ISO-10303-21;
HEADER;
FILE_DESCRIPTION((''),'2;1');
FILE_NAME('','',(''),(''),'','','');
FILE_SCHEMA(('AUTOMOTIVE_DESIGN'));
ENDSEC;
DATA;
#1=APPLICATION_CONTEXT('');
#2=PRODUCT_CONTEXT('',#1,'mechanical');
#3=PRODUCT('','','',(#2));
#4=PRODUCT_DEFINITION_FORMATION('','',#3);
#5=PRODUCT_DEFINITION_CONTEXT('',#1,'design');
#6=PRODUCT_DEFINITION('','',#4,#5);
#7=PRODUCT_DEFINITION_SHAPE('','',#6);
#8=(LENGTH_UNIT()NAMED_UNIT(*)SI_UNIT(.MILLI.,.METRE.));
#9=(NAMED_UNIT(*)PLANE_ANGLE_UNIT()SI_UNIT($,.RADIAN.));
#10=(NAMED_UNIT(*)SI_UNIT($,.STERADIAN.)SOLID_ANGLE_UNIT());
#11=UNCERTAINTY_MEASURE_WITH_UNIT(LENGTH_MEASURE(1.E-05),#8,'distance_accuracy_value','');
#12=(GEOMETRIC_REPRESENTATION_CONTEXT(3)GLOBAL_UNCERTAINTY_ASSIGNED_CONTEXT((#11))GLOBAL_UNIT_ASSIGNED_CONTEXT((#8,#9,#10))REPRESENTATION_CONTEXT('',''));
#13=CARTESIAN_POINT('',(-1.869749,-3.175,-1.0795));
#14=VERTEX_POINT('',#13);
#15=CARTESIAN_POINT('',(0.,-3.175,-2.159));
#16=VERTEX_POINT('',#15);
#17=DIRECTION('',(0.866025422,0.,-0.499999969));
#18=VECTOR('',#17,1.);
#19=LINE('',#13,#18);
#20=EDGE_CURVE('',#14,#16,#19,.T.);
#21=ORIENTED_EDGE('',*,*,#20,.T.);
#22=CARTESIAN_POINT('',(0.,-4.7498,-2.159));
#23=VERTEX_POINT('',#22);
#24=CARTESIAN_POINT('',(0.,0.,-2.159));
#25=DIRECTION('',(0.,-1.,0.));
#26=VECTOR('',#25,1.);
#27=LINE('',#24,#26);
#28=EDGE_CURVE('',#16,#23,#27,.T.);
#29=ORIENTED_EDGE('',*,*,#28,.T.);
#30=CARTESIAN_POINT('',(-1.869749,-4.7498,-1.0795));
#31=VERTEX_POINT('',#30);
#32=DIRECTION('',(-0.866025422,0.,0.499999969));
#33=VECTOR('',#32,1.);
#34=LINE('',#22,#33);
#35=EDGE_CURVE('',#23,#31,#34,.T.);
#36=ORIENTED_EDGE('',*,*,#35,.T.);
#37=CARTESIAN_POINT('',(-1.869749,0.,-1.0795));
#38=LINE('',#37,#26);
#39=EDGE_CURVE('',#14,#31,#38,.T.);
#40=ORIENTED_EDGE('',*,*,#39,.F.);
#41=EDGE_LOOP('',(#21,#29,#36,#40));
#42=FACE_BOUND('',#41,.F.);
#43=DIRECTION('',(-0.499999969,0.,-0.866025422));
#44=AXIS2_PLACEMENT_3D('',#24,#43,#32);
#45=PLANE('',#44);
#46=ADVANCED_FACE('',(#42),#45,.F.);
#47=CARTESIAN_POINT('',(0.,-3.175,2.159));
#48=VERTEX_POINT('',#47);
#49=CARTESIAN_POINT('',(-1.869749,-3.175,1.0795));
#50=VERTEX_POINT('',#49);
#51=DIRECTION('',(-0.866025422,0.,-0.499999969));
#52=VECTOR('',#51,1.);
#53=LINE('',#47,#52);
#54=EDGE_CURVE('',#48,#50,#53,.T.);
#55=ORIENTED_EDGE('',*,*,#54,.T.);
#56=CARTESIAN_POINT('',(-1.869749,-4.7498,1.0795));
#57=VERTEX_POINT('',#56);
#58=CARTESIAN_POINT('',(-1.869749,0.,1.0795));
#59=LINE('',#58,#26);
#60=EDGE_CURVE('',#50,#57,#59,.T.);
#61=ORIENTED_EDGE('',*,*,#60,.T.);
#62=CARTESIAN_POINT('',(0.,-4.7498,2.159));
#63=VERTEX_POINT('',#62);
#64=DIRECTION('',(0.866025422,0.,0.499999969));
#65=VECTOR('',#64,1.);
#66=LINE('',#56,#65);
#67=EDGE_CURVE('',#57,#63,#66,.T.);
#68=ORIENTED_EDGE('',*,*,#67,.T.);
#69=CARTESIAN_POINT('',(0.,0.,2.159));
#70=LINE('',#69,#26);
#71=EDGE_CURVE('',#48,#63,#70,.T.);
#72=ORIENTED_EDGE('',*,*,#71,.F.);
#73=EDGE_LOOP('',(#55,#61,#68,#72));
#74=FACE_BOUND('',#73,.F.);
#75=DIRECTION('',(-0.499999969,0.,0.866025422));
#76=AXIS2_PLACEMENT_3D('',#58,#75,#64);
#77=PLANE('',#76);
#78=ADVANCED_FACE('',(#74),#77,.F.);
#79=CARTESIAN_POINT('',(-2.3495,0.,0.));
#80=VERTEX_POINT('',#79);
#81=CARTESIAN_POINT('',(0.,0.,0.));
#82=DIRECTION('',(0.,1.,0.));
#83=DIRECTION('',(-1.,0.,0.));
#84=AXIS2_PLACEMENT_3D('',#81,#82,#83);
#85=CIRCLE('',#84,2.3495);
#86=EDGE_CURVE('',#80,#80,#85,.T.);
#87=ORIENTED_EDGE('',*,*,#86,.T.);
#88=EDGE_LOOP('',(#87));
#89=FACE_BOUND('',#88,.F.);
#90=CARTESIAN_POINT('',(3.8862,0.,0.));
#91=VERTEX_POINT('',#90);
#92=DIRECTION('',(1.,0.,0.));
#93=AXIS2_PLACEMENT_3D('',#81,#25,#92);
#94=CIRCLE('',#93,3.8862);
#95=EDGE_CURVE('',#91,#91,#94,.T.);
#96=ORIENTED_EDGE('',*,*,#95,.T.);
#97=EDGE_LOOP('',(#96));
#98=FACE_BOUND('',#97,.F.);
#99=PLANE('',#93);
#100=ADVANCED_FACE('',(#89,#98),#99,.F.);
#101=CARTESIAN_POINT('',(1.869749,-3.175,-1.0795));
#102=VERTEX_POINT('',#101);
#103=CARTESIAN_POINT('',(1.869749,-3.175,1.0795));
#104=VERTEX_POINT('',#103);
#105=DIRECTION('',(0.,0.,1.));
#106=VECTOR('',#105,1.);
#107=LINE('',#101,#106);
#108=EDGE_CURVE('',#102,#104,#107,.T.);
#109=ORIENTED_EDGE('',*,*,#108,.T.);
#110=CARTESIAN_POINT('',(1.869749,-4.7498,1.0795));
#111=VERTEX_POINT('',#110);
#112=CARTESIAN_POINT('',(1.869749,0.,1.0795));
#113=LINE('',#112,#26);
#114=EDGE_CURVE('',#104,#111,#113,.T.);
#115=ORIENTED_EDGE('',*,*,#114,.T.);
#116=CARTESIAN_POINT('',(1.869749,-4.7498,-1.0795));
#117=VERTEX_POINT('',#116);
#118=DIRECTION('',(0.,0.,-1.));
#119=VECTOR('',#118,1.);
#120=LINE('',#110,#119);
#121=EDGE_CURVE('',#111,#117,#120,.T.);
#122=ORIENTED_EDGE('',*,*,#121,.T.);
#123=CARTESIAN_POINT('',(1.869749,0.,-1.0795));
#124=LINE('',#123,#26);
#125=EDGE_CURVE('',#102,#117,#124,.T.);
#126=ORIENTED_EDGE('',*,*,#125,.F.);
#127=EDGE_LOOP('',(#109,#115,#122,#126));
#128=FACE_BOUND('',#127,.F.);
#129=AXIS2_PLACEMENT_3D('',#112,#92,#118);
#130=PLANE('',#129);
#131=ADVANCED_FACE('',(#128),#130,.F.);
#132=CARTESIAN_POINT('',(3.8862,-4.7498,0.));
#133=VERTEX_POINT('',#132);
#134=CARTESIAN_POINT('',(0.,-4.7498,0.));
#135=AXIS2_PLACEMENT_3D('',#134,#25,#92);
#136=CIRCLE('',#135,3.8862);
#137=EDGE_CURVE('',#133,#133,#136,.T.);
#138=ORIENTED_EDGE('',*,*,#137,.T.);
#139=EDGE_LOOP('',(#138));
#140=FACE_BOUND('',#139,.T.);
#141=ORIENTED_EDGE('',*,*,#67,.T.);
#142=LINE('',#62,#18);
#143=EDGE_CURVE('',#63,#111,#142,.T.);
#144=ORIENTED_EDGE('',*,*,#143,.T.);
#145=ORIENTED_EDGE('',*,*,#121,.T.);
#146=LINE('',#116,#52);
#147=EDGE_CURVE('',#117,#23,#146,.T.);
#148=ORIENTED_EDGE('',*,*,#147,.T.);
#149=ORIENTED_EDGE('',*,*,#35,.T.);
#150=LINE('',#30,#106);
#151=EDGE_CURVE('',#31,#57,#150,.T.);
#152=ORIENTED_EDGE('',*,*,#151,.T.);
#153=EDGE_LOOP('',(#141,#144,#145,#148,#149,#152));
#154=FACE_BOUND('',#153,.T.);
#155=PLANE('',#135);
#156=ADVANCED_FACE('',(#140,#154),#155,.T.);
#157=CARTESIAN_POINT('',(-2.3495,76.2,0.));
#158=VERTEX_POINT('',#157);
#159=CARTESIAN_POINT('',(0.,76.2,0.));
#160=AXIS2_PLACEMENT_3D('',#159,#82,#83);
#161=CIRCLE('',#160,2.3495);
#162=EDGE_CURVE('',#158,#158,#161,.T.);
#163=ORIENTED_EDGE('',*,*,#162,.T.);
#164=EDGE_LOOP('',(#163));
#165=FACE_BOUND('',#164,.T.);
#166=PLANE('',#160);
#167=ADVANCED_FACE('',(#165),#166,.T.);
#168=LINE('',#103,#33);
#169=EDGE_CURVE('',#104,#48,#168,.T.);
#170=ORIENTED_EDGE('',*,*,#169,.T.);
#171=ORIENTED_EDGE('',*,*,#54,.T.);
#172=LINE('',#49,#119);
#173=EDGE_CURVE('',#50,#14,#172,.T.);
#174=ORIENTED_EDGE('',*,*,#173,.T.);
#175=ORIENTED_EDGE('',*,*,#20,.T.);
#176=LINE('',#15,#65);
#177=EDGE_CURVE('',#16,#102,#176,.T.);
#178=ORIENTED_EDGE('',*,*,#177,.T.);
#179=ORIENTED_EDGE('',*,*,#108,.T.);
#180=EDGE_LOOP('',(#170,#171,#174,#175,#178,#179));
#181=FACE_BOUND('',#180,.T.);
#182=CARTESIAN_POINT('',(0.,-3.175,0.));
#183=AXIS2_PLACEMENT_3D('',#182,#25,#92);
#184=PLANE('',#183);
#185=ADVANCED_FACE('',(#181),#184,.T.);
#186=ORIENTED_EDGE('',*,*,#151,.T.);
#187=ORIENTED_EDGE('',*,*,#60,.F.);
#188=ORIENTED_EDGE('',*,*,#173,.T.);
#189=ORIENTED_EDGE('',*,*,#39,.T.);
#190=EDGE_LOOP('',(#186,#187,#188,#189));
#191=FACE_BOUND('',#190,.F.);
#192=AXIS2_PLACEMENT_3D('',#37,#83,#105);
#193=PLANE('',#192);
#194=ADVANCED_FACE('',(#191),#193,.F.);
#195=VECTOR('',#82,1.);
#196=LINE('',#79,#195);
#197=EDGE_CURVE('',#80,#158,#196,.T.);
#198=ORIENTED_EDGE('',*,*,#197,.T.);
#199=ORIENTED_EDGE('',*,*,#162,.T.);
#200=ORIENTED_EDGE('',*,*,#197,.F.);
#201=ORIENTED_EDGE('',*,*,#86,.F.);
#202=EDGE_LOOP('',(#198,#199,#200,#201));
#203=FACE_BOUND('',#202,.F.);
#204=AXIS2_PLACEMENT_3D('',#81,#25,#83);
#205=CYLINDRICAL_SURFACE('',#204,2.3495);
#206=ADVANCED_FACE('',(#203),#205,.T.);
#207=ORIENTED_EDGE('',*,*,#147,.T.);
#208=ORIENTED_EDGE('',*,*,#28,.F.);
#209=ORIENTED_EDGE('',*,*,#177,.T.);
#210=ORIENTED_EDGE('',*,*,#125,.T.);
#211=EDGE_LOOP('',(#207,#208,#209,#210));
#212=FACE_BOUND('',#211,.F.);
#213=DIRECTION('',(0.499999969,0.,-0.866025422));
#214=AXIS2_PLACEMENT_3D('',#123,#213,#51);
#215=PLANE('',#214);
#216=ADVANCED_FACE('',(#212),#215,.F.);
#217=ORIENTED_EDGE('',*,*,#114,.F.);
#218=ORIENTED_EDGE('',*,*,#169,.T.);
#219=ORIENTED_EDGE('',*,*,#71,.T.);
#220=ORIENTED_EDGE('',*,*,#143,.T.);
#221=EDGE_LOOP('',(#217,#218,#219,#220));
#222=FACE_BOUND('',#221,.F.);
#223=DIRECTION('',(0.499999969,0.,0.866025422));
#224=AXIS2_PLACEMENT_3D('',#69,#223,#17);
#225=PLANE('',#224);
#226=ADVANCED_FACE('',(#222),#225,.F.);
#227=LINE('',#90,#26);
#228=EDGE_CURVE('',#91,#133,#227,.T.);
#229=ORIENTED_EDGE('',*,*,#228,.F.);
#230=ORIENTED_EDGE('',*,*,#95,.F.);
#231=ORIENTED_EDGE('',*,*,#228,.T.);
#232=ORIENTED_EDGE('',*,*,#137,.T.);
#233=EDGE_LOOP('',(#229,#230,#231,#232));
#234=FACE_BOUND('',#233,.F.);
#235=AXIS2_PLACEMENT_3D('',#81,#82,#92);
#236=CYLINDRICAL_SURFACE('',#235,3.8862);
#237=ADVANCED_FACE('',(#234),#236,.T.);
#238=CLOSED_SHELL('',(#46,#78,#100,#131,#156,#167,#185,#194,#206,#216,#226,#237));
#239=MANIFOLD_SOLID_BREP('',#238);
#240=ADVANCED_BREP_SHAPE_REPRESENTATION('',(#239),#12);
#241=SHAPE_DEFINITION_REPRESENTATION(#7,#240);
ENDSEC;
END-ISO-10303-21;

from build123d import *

# Parameters (mm, degrees)
F1_DEPTH = 3.175
F0_R     = 3.8862
F2_DEPTH = 4.7498
F3_R     = 2.3495
F4_DEPTH = 76.2


with BuildPart() as f1:
    # F0 (on Front) → F1 (new body)
    with BuildSketch(Plane.XZ):
        Polygon((1.869749, -1.0795), (1.869749, 1.0795), (0, 2.159), (-1.869749, 1.0795), (-1.869749, -1.0795), (0, -2.159), align=None)
    extrude(amount=F1_DEPTH)

    # F0 (on Front) → F2 (join)
    with BuildSketch(Plane.XZ):
        Circle(F0_R)
        Polygon((0, 2.159), (1.869749, 1.0795), (1.869749, -1.0795), (0, -2.159), (-1.869749, -1.0795), (-1.869749, 1.0795), align=None, mode=Mode.SUBTRACT)
    extrude(amount=F2_DEPTH)

    # F3 (on face) → F4 (join)
    with BuildSketch(Plane(origin=(0, 0, 0), x_dir=(-1, 0, 0), z_dir=(0, 1, 0))):
        Circle(F3_R)
    extrude(amount=F4_DEPTH)


solid = f1.part
